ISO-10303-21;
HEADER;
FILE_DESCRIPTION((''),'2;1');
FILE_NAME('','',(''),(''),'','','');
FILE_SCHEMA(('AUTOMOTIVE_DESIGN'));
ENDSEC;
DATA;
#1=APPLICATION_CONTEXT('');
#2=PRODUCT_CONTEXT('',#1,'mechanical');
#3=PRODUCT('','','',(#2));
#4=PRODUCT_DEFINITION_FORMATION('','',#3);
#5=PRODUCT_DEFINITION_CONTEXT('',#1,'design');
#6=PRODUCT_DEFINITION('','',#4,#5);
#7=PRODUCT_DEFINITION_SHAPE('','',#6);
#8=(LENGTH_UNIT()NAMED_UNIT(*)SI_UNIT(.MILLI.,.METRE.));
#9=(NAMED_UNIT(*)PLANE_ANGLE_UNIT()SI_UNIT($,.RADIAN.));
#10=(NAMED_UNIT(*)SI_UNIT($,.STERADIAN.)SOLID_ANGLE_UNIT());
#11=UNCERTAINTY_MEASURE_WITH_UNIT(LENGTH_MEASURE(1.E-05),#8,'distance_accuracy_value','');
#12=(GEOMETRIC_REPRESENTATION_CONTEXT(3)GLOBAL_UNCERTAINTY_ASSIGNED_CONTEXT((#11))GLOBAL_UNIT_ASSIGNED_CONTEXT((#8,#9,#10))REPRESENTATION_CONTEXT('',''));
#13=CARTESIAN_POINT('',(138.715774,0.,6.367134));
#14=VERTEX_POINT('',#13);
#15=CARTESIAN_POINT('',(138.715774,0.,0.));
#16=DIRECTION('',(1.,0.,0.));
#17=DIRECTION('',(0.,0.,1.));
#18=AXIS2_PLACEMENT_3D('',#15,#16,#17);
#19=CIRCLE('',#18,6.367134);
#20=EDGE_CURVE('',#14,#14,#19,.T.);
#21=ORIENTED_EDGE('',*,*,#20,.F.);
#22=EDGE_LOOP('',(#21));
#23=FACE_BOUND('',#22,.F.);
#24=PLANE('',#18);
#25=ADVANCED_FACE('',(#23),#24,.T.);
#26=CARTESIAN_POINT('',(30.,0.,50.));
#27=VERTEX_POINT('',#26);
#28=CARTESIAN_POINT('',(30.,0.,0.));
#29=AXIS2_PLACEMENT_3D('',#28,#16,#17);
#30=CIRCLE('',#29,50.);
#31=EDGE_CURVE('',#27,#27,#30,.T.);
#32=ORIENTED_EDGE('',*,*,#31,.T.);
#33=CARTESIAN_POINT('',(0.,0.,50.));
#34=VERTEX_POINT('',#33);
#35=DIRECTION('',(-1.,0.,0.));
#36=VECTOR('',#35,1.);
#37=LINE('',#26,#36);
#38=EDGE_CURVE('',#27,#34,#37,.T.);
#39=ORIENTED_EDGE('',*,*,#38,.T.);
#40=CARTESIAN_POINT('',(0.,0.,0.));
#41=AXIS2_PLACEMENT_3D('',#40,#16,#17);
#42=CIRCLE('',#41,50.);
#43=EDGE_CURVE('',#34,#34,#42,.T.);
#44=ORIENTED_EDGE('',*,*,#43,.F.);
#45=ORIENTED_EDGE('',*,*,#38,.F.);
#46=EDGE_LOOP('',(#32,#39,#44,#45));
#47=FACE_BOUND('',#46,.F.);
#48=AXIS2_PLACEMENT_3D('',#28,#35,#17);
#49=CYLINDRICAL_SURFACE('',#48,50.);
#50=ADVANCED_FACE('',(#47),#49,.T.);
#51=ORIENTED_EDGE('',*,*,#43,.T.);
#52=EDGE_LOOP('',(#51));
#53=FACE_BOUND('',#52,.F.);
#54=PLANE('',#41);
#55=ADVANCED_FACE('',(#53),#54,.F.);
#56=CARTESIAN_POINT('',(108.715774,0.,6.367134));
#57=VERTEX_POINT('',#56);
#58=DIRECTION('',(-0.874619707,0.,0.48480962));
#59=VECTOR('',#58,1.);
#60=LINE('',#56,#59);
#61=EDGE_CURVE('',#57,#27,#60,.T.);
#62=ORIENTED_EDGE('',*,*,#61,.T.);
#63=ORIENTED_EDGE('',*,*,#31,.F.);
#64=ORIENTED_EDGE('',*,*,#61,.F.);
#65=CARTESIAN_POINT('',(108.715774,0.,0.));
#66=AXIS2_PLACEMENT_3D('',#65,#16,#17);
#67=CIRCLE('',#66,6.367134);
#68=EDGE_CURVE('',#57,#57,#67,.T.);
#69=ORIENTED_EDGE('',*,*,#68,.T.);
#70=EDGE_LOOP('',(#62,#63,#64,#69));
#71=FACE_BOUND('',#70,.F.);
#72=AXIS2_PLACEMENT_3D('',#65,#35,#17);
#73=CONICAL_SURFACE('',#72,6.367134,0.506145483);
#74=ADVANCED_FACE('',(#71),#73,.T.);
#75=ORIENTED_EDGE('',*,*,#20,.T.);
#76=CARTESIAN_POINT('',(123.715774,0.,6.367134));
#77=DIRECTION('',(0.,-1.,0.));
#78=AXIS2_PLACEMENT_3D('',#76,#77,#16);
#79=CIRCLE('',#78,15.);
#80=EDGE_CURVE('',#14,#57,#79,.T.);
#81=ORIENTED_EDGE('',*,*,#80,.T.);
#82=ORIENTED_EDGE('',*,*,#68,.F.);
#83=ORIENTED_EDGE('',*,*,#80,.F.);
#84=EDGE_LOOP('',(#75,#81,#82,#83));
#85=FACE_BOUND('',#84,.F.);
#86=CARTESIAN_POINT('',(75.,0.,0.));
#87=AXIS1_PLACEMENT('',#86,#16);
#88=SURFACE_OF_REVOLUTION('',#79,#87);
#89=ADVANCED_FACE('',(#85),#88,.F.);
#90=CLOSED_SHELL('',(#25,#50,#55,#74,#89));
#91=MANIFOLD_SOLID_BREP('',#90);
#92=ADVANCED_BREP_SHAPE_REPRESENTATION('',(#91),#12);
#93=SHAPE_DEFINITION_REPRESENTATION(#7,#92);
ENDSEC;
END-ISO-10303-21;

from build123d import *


with BuildPart() as f1:
    # F0 (on Front) → F1 (revolve)
    with BuildSketch(Plane.XZ):
        with BuildLine():
            Line((0, 50), (0, 0))
            Line((0, 0), (138.715774, 0))
            Line((138.715774, 0), (138.715774, 6.367134))
            ThreePointArc((138.715774, 6.367134), (123.715774, 21.367134), (108.715774, 6.367134))
            Line((108.715774, 6.367134), (30, 50))
            Line((30, 50), (0, 50))
        make_face()
    revolve(axis=Axis((75, 0, 0), (1, 0, 0)))


solid = f1.part
